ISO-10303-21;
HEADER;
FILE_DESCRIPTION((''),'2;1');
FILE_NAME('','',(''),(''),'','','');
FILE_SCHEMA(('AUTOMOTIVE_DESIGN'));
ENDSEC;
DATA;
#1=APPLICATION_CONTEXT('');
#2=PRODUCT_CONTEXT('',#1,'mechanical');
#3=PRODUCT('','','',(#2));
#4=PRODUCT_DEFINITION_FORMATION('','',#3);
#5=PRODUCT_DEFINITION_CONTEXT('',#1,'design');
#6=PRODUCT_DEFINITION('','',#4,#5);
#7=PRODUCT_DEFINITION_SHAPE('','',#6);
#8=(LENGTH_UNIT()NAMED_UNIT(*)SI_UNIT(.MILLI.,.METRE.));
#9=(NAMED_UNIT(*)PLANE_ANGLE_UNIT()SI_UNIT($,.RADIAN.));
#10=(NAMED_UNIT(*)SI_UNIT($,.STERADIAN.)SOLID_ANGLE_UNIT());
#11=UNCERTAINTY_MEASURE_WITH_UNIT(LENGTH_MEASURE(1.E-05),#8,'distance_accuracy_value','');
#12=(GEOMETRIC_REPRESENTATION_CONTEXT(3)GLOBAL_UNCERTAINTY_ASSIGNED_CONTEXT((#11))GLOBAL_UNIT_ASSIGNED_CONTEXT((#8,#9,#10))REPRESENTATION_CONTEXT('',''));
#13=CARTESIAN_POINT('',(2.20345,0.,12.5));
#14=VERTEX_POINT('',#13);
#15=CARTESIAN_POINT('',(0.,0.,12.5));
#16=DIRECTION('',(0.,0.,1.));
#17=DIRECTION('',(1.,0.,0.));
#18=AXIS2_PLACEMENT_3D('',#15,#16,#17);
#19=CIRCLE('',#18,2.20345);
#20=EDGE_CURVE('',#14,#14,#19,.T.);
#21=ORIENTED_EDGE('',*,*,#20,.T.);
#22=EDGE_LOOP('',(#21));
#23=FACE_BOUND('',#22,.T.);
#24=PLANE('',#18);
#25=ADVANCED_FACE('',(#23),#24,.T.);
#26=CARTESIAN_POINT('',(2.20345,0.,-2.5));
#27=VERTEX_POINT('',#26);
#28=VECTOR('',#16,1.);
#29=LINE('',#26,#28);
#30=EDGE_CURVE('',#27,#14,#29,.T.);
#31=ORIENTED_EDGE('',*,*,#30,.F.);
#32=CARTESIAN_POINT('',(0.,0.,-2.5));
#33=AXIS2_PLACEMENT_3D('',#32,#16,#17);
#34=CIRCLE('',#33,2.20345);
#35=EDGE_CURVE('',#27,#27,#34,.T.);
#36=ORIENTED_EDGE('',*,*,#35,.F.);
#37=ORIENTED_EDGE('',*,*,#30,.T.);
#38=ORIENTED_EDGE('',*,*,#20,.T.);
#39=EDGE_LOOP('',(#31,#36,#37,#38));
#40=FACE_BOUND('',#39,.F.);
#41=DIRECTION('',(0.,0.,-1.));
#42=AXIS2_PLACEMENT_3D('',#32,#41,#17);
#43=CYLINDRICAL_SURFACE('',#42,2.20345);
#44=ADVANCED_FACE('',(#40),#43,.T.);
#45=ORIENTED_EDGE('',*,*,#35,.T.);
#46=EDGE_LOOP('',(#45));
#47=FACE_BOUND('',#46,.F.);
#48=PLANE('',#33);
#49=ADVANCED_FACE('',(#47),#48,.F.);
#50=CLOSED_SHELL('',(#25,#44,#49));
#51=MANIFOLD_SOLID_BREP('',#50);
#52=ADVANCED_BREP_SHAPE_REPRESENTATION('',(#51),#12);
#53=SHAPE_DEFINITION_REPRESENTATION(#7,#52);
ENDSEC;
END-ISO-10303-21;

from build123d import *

# Parameters (mm, degrees)
CYLINDER_R     = 2.20345
CYLINDER_DEPTH = 15


with BuildPart() as part:
    # Cylinder → Cylinder (new body)
    with BuildSketch(Plane.XY.offset(-2.5)):
        Circle(CYLINDER_R)
    extrude(amount=CYLINDER_DEPTH)


solid = part.part
